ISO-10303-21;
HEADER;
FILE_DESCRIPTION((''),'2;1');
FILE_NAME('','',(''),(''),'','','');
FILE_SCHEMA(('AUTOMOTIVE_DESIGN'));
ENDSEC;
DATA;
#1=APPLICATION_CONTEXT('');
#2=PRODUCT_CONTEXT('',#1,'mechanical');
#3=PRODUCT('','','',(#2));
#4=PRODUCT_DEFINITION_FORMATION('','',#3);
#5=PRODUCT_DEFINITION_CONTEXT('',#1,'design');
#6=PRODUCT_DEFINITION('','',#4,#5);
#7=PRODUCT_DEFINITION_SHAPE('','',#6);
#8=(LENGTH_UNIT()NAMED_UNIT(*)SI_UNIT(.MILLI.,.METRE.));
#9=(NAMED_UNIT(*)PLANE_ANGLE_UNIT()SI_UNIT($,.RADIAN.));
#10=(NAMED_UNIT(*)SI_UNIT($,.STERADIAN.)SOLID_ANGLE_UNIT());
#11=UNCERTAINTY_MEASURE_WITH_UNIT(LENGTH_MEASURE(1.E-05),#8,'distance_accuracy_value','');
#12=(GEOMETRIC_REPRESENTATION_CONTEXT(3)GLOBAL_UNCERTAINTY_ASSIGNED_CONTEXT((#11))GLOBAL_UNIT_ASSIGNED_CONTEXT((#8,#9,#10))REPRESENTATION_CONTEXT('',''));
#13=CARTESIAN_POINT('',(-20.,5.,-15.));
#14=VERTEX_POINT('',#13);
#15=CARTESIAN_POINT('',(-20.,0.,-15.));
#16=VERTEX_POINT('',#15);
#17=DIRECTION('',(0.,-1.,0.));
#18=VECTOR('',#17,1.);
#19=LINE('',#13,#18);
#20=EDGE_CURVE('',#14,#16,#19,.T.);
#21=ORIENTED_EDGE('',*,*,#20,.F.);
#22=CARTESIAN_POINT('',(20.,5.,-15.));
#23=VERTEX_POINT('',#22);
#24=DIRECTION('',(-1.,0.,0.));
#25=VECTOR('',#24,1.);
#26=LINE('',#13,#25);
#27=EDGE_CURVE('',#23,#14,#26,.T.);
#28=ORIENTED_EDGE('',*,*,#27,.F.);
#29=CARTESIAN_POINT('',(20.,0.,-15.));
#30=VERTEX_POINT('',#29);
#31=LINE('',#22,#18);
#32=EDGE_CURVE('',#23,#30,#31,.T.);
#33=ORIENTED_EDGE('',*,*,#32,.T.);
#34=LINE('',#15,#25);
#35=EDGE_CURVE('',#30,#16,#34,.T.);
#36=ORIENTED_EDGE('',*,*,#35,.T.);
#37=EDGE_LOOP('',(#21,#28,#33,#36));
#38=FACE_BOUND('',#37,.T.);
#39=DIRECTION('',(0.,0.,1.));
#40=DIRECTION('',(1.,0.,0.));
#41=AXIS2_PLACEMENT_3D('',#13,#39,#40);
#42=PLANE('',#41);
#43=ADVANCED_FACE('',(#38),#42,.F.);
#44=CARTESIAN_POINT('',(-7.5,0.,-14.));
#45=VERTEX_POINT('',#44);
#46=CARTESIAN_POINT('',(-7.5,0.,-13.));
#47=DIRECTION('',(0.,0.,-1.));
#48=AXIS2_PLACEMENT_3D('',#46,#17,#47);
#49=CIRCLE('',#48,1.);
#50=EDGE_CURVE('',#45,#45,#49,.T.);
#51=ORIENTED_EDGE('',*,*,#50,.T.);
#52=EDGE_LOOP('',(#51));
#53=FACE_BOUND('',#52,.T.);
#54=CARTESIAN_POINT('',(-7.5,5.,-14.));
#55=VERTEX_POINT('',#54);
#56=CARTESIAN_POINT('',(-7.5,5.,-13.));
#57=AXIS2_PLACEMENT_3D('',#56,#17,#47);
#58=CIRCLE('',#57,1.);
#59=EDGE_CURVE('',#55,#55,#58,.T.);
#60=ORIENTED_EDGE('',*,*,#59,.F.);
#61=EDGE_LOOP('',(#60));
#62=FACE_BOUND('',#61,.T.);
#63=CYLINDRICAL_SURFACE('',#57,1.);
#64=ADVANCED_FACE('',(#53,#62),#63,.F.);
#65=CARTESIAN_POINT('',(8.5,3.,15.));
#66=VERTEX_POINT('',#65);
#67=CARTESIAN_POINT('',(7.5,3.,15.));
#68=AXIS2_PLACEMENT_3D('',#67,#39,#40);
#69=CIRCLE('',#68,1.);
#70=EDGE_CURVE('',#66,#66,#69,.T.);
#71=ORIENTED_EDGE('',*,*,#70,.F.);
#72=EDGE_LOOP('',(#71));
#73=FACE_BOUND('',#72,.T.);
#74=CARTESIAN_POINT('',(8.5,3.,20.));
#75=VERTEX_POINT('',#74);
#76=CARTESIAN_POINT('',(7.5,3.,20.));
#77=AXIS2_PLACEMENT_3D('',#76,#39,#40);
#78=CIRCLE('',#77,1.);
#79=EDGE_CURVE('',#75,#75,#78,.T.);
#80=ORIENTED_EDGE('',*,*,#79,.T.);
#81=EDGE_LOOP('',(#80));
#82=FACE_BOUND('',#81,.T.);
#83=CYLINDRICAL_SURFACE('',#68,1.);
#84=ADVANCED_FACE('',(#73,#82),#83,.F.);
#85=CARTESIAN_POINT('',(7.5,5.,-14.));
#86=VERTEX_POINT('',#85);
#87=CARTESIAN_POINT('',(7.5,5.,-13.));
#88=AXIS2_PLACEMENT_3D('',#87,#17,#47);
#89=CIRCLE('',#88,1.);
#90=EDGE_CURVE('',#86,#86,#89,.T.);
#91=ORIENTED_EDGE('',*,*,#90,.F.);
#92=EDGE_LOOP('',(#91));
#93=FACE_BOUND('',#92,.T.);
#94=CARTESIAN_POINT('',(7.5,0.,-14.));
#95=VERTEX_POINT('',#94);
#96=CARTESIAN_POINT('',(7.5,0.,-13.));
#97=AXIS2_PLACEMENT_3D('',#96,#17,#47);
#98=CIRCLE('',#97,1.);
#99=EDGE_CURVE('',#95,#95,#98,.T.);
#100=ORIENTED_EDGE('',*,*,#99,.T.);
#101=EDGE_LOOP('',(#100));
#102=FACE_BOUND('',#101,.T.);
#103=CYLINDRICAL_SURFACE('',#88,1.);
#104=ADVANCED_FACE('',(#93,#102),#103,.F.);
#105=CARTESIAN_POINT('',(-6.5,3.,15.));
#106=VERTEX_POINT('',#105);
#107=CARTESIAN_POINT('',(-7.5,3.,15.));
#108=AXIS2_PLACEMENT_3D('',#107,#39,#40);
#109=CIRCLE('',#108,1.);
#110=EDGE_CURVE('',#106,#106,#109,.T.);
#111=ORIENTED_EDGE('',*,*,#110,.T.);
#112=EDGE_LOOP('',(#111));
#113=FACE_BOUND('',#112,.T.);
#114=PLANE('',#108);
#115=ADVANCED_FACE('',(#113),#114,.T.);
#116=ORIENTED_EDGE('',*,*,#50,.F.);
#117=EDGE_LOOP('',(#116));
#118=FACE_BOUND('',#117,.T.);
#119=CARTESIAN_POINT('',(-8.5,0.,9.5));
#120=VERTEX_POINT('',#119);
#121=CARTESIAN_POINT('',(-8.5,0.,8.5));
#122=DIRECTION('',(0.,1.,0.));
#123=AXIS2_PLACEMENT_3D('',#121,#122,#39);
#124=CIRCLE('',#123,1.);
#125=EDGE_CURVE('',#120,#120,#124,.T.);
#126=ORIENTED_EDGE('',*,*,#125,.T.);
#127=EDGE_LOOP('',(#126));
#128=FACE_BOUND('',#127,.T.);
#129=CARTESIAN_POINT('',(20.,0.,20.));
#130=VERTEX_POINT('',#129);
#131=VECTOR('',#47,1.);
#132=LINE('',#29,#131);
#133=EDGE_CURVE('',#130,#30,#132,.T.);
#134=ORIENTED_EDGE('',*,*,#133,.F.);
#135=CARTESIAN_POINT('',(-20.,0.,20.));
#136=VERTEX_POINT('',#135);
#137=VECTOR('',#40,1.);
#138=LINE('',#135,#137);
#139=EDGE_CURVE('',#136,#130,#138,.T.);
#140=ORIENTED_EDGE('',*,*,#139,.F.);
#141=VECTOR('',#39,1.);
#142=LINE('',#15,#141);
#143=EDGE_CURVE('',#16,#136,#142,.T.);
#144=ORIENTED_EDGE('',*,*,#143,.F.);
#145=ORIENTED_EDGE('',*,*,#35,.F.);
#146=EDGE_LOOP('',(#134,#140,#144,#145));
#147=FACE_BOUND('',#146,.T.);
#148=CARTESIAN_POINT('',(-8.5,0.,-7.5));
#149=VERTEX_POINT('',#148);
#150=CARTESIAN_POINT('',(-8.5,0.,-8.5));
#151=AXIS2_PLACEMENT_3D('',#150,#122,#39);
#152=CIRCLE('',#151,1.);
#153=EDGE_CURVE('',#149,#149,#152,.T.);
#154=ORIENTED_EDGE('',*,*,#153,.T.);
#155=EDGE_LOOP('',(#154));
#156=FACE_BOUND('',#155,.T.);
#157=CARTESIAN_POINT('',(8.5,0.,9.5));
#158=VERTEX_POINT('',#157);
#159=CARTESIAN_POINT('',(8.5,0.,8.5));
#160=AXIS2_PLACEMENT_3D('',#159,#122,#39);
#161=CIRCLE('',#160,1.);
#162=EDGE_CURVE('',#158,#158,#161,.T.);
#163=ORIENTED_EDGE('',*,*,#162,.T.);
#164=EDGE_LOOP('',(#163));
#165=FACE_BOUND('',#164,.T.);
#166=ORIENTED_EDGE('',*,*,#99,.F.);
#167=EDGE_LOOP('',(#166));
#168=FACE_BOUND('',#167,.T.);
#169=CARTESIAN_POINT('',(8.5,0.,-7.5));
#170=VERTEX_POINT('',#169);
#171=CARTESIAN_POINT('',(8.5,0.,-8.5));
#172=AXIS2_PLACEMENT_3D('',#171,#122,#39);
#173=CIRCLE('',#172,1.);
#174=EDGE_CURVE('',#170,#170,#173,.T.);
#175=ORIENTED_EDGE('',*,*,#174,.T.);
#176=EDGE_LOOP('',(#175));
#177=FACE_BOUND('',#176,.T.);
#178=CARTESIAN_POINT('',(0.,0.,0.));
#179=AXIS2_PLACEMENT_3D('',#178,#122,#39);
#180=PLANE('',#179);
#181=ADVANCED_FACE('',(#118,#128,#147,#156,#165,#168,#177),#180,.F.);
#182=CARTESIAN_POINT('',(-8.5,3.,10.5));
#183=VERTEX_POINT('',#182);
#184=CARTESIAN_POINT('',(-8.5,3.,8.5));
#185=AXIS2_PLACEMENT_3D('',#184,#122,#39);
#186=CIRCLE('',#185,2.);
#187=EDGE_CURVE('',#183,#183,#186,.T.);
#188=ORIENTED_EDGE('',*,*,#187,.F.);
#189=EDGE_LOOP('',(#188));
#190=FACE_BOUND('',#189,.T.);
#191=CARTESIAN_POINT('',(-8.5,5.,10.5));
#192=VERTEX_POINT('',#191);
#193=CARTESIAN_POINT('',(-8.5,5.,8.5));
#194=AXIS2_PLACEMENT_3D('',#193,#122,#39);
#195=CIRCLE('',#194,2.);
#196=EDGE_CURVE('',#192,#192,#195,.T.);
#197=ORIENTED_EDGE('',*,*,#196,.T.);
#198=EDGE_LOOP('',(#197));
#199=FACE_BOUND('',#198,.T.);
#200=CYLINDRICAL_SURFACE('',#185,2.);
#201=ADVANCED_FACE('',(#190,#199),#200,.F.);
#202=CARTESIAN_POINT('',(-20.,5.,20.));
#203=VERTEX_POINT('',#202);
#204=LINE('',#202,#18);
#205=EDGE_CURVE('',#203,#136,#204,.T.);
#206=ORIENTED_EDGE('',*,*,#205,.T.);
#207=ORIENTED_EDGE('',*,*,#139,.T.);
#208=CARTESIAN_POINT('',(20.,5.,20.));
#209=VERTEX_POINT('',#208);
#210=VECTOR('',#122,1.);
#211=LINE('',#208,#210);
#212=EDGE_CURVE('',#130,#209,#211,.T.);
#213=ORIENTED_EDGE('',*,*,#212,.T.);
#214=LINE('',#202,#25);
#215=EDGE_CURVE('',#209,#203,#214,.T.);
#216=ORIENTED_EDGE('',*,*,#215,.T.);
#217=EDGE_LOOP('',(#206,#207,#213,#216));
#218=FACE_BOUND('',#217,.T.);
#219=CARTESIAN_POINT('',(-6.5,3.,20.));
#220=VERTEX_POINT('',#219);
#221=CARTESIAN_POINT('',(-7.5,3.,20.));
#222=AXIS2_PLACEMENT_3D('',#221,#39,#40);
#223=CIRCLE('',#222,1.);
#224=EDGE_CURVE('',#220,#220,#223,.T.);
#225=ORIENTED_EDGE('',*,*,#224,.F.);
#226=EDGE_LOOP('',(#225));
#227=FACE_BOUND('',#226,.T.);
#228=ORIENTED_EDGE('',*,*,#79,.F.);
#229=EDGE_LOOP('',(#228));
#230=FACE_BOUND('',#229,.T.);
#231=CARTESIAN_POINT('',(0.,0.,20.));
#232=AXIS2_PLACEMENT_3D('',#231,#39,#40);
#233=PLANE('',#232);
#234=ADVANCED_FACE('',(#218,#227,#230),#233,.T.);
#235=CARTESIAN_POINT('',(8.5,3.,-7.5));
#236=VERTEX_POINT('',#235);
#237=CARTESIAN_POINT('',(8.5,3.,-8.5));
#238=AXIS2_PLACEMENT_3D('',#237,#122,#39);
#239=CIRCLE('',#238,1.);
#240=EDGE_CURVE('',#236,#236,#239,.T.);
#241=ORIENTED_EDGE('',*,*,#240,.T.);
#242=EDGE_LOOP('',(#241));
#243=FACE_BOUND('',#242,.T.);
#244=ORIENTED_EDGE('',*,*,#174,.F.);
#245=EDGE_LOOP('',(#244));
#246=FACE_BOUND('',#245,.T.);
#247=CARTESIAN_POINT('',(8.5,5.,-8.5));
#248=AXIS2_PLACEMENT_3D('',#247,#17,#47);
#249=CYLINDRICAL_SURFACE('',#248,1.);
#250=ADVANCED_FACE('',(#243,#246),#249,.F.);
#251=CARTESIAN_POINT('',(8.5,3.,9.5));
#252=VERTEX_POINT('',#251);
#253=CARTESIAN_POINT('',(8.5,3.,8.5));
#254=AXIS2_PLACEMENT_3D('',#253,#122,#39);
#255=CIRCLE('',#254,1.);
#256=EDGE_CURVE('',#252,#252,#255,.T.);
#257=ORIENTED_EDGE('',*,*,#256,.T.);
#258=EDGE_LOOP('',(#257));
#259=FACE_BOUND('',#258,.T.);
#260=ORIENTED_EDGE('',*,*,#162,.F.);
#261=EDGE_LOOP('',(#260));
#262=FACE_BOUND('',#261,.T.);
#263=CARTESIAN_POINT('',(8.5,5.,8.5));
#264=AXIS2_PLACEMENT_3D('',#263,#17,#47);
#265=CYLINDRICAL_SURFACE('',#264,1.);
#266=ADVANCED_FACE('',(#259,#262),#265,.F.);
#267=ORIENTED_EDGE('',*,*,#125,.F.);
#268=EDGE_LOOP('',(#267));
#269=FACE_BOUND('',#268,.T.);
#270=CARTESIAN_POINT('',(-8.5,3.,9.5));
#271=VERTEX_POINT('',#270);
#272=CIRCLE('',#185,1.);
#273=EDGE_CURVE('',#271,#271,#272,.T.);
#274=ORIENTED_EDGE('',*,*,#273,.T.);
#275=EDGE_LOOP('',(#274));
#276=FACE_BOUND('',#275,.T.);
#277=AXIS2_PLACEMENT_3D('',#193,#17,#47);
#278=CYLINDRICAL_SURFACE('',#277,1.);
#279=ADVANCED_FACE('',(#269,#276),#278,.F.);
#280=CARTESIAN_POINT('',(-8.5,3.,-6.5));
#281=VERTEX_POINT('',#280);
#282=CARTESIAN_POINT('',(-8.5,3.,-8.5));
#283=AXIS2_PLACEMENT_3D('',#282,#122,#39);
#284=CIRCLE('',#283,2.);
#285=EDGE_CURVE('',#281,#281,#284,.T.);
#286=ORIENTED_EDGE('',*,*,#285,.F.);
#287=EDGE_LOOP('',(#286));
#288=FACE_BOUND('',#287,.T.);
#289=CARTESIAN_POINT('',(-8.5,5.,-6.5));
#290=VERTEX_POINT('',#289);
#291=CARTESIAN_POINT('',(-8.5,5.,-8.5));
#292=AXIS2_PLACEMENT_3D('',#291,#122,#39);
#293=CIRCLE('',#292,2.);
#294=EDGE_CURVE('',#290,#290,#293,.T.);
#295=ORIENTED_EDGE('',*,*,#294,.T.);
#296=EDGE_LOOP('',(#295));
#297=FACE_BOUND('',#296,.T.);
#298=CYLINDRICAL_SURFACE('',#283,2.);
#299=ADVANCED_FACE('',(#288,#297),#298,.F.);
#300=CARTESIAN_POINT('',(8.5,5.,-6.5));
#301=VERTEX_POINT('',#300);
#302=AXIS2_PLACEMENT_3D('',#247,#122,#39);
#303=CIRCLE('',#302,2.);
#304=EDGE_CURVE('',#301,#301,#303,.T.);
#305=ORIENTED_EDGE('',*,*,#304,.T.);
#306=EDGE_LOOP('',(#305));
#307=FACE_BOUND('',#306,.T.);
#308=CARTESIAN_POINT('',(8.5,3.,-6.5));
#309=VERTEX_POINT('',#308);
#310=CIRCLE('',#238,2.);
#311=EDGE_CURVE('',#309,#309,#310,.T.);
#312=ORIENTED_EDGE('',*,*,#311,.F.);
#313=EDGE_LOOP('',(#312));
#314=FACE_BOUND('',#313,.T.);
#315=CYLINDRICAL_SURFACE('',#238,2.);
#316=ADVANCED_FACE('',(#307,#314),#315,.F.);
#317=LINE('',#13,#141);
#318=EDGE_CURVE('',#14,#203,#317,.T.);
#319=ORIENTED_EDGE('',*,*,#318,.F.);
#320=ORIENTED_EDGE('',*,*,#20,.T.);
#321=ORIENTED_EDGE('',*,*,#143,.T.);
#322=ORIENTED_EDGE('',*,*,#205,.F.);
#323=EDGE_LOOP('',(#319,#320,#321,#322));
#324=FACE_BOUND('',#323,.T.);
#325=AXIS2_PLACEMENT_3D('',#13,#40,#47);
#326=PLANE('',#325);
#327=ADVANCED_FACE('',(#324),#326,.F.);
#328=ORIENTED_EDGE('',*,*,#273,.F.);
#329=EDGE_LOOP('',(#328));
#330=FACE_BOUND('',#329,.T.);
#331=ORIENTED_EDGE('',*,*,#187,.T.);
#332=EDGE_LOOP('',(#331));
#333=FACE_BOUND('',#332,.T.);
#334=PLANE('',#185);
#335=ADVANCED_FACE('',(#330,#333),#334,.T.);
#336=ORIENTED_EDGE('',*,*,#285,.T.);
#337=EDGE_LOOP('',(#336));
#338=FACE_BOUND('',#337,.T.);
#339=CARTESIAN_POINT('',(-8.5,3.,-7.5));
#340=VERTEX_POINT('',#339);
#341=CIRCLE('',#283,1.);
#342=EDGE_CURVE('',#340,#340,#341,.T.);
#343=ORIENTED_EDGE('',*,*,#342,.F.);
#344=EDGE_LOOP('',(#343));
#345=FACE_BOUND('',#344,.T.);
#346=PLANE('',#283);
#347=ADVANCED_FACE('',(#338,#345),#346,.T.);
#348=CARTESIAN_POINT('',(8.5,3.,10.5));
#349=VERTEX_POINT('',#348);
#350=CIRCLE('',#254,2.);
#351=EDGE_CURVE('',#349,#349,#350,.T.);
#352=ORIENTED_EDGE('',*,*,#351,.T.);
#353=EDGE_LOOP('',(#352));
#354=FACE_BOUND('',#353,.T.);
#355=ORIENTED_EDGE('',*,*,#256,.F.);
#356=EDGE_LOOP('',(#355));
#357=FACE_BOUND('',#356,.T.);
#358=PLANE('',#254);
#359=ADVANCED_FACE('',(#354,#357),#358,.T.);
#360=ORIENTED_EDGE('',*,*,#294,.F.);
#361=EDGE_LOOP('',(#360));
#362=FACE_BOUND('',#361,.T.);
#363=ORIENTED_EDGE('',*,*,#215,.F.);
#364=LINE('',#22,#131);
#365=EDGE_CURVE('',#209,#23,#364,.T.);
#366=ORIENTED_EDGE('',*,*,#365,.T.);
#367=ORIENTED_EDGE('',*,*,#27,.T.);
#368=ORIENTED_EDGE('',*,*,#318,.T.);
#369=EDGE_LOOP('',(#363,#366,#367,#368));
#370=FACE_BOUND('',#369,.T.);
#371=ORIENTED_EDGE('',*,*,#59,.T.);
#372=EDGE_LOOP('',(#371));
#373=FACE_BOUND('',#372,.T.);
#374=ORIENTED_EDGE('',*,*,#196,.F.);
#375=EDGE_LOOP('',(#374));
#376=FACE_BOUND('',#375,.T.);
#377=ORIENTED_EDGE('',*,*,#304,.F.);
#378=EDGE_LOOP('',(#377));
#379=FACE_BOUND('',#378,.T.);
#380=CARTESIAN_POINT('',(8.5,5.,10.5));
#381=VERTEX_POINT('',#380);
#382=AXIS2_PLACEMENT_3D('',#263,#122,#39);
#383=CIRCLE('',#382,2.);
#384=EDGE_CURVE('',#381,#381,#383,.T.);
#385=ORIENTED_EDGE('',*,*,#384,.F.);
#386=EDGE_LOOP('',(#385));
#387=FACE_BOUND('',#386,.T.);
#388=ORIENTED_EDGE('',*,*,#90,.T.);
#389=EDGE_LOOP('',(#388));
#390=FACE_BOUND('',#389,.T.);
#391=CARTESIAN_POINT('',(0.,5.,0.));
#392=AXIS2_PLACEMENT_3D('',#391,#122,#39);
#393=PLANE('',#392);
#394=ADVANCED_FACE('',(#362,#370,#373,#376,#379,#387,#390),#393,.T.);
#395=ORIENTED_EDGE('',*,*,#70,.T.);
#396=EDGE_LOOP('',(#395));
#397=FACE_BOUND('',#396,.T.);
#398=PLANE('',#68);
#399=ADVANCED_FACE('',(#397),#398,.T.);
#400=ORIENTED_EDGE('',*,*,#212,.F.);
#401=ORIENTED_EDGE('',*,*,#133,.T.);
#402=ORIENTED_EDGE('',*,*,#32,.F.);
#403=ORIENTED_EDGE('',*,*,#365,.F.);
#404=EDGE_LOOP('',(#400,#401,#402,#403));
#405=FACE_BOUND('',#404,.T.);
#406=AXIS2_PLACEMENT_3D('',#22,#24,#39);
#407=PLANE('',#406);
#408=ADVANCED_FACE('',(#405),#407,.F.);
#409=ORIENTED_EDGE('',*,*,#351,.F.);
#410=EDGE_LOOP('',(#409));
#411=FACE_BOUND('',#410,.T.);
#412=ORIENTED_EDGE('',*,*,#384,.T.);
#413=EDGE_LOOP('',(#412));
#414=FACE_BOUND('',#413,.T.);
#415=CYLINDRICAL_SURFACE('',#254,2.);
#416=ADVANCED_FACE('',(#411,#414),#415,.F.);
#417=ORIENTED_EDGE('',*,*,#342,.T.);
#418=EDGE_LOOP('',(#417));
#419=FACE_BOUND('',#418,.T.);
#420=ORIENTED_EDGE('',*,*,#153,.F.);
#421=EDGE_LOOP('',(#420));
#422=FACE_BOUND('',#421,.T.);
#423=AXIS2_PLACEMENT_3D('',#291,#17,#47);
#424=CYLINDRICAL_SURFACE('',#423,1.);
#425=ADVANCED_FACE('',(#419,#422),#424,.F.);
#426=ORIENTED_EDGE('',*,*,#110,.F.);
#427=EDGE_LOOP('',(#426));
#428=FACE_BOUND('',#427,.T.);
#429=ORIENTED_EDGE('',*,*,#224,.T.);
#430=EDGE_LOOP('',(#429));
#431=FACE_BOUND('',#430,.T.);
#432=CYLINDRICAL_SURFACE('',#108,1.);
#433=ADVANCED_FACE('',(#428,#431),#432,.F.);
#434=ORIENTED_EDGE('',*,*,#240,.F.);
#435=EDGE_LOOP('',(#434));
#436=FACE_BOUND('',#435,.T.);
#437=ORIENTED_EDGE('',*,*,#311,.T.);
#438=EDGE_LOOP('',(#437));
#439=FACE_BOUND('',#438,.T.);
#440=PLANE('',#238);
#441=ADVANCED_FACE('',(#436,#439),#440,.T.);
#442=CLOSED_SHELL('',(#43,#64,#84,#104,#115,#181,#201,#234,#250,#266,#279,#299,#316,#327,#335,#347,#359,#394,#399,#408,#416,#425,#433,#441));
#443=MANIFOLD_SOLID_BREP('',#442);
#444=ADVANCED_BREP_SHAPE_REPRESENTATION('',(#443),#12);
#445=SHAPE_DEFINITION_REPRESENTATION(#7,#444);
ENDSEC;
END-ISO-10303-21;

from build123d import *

# Parameters (mm, degrees)
SKETCH2_W           = 40
SKETCH2_H           = 30
SKETCH2_R           = 1
BOSS_EXTRUDE1_DEPTH = 5
SKETCH3_R           = 2
CUT_EXTRUDE1_DEPTH  = 2
SKETCH5_R           = 1
CUT_EXTRUDE2_DEPTH  = 26.495097568
SKETCH7_W           = 40
SKETCH7_H           = 5
BOSS_EXTRUDE2_DEPTH = 5
SKETCH8_R           = 1
CUT_EXTRUDE3_DEPTH  = 5


with BuildPart() as part:
    # Sketch2 → Boss-Extrude1 (new body)
    with BuildSketch(Plane(origin=(0, 0, 0), x_dir=(1, 0, 0), z_dir=(0, 1, 0))):
        Rectangle(SKETCH2_W, SKETCH2_H)
        with Locations(Location((-8.5, 8.5, 0), (0, 0, 270))):
            Circle(SKETCH2_R, mode=Mode.SUBTRACT)
        with Locations(Location((8.5, 8.5, 0), (0, 0, 270))):
            Circle(SKETCH2_R, mode=Mode.SUBTRACT)
        with Locations(Location((8.5, -8.5, 0), (0, 0, 270))):
            Circle(SKETCH2_R, mode=Mode.SUBTRACT)
        with Locations(Location((-8.5, -8.5, 0), (0, 0, 270))):
            Circle(SKETCH2_R, mode=Mode.SUBTRACT)
    extrude(amount=BOSS_EXTRUDE1_DEPTH)

    # Sketch3 → Cut-Extrude1 (cut)
    with BuildSketch(Plane(origin=(0, 5, 0), x_dir=(1, 0, 0), z_dir=(0, 1, 0))):
        with Locations(Location((-8.5, 8.5, 0), (0, 0, 270))):
            Circle(SKETCH3_R)
        with Locations(Location((8.5, 8.5, 0), (0, 0, 270))):
            Circle(SKETCH3_R)
        with Locations(Location((8.5, -8.5, 0), (0, 0, 270))):
            Circle(SKETCH3_R)
        with Locations(Location((-8.5, -8.5, 0), (0, 0, 270))):
            Circle(SKETCH3_R)
    extrude(amount=-CUT_EXTRUDE1_DEPTH, mode=Mode.SUBTRACT)

    # Sketch5 → Cut-Extrude2 (cut, through all)
    with BuildSketch(Plane.XZ):
        with Locations(Location((-7.5, -13, 0), (0, 0, 270))):
            Circle(SKETCH5_R)
        with Locations(Location((7.5, -13, 0), (0, 0, 270))):
            Circle(SKETCH5_R)
    extrude(amount=-CUT_EXTRUDE2_DEPTH, mode=Mode.SUBTRACT)

    # Sketch7 → Boss-Extrude2 (add)
    with BuildSketch(Plane.XY.offset(15)):
        with Locations((0, 2.5)):
            Rectangle(SKETCH7_W, SKETCH7_H)
    extrude(amount=BOSS_EXTRUDE2_DEPTH)

    # Sketch8 → Cut-Extrude3 (cut)
    with BuildSketch(Plane.XY.offset(20)):
        with Locations((-7.5, 3)):
            Circle(SKETCH8_R)
        with Locations((7.5, 3)):
            Circle(SKETCH8_R)
    extrude(amount=-CUT_EXTRUDE3_DEPTH, mode=Mode.SUBTRACT)


solid = part.part
